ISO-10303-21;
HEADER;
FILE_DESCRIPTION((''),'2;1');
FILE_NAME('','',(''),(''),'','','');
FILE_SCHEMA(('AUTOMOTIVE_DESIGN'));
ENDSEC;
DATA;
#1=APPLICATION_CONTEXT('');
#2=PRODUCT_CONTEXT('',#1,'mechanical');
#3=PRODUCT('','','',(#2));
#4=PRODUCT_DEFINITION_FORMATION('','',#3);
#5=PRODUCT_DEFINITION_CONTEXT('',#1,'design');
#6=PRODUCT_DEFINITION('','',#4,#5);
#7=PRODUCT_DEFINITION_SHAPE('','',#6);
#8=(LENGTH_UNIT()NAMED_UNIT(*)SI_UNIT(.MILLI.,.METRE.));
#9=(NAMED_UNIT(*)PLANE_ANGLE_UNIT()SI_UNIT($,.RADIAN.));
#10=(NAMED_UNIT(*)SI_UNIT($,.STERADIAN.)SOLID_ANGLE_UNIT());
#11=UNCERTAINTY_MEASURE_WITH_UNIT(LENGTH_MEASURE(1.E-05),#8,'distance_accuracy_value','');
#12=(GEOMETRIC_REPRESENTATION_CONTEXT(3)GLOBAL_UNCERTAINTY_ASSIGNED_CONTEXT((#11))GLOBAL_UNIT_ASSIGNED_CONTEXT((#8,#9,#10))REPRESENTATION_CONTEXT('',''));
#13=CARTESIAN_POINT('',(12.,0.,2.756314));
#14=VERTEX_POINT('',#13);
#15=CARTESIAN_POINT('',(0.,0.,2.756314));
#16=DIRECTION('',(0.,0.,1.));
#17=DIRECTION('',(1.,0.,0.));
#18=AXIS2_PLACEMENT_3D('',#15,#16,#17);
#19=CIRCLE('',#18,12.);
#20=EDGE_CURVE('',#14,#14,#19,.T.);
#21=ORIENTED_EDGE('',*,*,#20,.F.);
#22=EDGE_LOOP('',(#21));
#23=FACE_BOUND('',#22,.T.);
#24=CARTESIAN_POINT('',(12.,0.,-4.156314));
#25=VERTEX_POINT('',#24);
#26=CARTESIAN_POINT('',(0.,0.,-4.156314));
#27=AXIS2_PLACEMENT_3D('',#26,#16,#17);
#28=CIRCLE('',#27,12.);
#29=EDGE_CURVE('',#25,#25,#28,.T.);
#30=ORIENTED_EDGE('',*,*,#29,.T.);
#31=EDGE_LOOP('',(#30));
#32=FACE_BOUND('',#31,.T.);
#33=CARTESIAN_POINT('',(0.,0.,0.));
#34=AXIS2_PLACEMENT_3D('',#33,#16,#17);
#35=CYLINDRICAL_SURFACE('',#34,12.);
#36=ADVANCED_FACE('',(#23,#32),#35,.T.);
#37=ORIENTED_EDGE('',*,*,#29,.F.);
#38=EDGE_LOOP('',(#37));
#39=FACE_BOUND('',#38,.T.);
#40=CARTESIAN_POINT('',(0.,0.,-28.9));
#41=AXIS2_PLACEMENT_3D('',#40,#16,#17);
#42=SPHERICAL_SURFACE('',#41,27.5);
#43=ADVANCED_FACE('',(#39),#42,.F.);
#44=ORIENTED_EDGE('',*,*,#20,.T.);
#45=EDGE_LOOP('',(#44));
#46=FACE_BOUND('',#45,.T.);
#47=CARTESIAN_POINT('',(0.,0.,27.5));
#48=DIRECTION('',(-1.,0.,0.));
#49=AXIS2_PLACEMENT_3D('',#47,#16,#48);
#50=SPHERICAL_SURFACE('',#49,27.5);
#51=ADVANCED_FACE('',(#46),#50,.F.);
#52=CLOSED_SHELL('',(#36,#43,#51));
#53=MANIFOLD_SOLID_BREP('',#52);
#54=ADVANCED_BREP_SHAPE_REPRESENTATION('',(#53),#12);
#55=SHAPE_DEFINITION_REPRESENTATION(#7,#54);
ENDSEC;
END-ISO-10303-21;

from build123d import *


with BuildPart() as part:
    # 草图1 → 旋转1 (revolve)
    with BuildSketch(Plane(origin=(0, 0, 0), x_dir=(1, 0, 0), z_dir=(0, 1, 0)), mode=Mode.PRIVATE) as revolve_1_sk:
        with BuildLine():
            Line((0, 0), (0, 1.4))
            ThreePointArc((0, 1.4), (-6.156242087, 2.097935091), (-12, 4.156313937))
            Line((-12, 4.156313937), (-12, -2.756313937))
            ThreePointArc((-12, -2.756313937), (-6.156242087, -0.697935091), (0, 0))
        make_face()
    revolve(revolve_1_sk.sketch.rotate(Axis((0, 0, 0), (0, 0, -1)), 180), axis=Axis((0, 0, 0), (0, 0, -1)))


solid = part.part
